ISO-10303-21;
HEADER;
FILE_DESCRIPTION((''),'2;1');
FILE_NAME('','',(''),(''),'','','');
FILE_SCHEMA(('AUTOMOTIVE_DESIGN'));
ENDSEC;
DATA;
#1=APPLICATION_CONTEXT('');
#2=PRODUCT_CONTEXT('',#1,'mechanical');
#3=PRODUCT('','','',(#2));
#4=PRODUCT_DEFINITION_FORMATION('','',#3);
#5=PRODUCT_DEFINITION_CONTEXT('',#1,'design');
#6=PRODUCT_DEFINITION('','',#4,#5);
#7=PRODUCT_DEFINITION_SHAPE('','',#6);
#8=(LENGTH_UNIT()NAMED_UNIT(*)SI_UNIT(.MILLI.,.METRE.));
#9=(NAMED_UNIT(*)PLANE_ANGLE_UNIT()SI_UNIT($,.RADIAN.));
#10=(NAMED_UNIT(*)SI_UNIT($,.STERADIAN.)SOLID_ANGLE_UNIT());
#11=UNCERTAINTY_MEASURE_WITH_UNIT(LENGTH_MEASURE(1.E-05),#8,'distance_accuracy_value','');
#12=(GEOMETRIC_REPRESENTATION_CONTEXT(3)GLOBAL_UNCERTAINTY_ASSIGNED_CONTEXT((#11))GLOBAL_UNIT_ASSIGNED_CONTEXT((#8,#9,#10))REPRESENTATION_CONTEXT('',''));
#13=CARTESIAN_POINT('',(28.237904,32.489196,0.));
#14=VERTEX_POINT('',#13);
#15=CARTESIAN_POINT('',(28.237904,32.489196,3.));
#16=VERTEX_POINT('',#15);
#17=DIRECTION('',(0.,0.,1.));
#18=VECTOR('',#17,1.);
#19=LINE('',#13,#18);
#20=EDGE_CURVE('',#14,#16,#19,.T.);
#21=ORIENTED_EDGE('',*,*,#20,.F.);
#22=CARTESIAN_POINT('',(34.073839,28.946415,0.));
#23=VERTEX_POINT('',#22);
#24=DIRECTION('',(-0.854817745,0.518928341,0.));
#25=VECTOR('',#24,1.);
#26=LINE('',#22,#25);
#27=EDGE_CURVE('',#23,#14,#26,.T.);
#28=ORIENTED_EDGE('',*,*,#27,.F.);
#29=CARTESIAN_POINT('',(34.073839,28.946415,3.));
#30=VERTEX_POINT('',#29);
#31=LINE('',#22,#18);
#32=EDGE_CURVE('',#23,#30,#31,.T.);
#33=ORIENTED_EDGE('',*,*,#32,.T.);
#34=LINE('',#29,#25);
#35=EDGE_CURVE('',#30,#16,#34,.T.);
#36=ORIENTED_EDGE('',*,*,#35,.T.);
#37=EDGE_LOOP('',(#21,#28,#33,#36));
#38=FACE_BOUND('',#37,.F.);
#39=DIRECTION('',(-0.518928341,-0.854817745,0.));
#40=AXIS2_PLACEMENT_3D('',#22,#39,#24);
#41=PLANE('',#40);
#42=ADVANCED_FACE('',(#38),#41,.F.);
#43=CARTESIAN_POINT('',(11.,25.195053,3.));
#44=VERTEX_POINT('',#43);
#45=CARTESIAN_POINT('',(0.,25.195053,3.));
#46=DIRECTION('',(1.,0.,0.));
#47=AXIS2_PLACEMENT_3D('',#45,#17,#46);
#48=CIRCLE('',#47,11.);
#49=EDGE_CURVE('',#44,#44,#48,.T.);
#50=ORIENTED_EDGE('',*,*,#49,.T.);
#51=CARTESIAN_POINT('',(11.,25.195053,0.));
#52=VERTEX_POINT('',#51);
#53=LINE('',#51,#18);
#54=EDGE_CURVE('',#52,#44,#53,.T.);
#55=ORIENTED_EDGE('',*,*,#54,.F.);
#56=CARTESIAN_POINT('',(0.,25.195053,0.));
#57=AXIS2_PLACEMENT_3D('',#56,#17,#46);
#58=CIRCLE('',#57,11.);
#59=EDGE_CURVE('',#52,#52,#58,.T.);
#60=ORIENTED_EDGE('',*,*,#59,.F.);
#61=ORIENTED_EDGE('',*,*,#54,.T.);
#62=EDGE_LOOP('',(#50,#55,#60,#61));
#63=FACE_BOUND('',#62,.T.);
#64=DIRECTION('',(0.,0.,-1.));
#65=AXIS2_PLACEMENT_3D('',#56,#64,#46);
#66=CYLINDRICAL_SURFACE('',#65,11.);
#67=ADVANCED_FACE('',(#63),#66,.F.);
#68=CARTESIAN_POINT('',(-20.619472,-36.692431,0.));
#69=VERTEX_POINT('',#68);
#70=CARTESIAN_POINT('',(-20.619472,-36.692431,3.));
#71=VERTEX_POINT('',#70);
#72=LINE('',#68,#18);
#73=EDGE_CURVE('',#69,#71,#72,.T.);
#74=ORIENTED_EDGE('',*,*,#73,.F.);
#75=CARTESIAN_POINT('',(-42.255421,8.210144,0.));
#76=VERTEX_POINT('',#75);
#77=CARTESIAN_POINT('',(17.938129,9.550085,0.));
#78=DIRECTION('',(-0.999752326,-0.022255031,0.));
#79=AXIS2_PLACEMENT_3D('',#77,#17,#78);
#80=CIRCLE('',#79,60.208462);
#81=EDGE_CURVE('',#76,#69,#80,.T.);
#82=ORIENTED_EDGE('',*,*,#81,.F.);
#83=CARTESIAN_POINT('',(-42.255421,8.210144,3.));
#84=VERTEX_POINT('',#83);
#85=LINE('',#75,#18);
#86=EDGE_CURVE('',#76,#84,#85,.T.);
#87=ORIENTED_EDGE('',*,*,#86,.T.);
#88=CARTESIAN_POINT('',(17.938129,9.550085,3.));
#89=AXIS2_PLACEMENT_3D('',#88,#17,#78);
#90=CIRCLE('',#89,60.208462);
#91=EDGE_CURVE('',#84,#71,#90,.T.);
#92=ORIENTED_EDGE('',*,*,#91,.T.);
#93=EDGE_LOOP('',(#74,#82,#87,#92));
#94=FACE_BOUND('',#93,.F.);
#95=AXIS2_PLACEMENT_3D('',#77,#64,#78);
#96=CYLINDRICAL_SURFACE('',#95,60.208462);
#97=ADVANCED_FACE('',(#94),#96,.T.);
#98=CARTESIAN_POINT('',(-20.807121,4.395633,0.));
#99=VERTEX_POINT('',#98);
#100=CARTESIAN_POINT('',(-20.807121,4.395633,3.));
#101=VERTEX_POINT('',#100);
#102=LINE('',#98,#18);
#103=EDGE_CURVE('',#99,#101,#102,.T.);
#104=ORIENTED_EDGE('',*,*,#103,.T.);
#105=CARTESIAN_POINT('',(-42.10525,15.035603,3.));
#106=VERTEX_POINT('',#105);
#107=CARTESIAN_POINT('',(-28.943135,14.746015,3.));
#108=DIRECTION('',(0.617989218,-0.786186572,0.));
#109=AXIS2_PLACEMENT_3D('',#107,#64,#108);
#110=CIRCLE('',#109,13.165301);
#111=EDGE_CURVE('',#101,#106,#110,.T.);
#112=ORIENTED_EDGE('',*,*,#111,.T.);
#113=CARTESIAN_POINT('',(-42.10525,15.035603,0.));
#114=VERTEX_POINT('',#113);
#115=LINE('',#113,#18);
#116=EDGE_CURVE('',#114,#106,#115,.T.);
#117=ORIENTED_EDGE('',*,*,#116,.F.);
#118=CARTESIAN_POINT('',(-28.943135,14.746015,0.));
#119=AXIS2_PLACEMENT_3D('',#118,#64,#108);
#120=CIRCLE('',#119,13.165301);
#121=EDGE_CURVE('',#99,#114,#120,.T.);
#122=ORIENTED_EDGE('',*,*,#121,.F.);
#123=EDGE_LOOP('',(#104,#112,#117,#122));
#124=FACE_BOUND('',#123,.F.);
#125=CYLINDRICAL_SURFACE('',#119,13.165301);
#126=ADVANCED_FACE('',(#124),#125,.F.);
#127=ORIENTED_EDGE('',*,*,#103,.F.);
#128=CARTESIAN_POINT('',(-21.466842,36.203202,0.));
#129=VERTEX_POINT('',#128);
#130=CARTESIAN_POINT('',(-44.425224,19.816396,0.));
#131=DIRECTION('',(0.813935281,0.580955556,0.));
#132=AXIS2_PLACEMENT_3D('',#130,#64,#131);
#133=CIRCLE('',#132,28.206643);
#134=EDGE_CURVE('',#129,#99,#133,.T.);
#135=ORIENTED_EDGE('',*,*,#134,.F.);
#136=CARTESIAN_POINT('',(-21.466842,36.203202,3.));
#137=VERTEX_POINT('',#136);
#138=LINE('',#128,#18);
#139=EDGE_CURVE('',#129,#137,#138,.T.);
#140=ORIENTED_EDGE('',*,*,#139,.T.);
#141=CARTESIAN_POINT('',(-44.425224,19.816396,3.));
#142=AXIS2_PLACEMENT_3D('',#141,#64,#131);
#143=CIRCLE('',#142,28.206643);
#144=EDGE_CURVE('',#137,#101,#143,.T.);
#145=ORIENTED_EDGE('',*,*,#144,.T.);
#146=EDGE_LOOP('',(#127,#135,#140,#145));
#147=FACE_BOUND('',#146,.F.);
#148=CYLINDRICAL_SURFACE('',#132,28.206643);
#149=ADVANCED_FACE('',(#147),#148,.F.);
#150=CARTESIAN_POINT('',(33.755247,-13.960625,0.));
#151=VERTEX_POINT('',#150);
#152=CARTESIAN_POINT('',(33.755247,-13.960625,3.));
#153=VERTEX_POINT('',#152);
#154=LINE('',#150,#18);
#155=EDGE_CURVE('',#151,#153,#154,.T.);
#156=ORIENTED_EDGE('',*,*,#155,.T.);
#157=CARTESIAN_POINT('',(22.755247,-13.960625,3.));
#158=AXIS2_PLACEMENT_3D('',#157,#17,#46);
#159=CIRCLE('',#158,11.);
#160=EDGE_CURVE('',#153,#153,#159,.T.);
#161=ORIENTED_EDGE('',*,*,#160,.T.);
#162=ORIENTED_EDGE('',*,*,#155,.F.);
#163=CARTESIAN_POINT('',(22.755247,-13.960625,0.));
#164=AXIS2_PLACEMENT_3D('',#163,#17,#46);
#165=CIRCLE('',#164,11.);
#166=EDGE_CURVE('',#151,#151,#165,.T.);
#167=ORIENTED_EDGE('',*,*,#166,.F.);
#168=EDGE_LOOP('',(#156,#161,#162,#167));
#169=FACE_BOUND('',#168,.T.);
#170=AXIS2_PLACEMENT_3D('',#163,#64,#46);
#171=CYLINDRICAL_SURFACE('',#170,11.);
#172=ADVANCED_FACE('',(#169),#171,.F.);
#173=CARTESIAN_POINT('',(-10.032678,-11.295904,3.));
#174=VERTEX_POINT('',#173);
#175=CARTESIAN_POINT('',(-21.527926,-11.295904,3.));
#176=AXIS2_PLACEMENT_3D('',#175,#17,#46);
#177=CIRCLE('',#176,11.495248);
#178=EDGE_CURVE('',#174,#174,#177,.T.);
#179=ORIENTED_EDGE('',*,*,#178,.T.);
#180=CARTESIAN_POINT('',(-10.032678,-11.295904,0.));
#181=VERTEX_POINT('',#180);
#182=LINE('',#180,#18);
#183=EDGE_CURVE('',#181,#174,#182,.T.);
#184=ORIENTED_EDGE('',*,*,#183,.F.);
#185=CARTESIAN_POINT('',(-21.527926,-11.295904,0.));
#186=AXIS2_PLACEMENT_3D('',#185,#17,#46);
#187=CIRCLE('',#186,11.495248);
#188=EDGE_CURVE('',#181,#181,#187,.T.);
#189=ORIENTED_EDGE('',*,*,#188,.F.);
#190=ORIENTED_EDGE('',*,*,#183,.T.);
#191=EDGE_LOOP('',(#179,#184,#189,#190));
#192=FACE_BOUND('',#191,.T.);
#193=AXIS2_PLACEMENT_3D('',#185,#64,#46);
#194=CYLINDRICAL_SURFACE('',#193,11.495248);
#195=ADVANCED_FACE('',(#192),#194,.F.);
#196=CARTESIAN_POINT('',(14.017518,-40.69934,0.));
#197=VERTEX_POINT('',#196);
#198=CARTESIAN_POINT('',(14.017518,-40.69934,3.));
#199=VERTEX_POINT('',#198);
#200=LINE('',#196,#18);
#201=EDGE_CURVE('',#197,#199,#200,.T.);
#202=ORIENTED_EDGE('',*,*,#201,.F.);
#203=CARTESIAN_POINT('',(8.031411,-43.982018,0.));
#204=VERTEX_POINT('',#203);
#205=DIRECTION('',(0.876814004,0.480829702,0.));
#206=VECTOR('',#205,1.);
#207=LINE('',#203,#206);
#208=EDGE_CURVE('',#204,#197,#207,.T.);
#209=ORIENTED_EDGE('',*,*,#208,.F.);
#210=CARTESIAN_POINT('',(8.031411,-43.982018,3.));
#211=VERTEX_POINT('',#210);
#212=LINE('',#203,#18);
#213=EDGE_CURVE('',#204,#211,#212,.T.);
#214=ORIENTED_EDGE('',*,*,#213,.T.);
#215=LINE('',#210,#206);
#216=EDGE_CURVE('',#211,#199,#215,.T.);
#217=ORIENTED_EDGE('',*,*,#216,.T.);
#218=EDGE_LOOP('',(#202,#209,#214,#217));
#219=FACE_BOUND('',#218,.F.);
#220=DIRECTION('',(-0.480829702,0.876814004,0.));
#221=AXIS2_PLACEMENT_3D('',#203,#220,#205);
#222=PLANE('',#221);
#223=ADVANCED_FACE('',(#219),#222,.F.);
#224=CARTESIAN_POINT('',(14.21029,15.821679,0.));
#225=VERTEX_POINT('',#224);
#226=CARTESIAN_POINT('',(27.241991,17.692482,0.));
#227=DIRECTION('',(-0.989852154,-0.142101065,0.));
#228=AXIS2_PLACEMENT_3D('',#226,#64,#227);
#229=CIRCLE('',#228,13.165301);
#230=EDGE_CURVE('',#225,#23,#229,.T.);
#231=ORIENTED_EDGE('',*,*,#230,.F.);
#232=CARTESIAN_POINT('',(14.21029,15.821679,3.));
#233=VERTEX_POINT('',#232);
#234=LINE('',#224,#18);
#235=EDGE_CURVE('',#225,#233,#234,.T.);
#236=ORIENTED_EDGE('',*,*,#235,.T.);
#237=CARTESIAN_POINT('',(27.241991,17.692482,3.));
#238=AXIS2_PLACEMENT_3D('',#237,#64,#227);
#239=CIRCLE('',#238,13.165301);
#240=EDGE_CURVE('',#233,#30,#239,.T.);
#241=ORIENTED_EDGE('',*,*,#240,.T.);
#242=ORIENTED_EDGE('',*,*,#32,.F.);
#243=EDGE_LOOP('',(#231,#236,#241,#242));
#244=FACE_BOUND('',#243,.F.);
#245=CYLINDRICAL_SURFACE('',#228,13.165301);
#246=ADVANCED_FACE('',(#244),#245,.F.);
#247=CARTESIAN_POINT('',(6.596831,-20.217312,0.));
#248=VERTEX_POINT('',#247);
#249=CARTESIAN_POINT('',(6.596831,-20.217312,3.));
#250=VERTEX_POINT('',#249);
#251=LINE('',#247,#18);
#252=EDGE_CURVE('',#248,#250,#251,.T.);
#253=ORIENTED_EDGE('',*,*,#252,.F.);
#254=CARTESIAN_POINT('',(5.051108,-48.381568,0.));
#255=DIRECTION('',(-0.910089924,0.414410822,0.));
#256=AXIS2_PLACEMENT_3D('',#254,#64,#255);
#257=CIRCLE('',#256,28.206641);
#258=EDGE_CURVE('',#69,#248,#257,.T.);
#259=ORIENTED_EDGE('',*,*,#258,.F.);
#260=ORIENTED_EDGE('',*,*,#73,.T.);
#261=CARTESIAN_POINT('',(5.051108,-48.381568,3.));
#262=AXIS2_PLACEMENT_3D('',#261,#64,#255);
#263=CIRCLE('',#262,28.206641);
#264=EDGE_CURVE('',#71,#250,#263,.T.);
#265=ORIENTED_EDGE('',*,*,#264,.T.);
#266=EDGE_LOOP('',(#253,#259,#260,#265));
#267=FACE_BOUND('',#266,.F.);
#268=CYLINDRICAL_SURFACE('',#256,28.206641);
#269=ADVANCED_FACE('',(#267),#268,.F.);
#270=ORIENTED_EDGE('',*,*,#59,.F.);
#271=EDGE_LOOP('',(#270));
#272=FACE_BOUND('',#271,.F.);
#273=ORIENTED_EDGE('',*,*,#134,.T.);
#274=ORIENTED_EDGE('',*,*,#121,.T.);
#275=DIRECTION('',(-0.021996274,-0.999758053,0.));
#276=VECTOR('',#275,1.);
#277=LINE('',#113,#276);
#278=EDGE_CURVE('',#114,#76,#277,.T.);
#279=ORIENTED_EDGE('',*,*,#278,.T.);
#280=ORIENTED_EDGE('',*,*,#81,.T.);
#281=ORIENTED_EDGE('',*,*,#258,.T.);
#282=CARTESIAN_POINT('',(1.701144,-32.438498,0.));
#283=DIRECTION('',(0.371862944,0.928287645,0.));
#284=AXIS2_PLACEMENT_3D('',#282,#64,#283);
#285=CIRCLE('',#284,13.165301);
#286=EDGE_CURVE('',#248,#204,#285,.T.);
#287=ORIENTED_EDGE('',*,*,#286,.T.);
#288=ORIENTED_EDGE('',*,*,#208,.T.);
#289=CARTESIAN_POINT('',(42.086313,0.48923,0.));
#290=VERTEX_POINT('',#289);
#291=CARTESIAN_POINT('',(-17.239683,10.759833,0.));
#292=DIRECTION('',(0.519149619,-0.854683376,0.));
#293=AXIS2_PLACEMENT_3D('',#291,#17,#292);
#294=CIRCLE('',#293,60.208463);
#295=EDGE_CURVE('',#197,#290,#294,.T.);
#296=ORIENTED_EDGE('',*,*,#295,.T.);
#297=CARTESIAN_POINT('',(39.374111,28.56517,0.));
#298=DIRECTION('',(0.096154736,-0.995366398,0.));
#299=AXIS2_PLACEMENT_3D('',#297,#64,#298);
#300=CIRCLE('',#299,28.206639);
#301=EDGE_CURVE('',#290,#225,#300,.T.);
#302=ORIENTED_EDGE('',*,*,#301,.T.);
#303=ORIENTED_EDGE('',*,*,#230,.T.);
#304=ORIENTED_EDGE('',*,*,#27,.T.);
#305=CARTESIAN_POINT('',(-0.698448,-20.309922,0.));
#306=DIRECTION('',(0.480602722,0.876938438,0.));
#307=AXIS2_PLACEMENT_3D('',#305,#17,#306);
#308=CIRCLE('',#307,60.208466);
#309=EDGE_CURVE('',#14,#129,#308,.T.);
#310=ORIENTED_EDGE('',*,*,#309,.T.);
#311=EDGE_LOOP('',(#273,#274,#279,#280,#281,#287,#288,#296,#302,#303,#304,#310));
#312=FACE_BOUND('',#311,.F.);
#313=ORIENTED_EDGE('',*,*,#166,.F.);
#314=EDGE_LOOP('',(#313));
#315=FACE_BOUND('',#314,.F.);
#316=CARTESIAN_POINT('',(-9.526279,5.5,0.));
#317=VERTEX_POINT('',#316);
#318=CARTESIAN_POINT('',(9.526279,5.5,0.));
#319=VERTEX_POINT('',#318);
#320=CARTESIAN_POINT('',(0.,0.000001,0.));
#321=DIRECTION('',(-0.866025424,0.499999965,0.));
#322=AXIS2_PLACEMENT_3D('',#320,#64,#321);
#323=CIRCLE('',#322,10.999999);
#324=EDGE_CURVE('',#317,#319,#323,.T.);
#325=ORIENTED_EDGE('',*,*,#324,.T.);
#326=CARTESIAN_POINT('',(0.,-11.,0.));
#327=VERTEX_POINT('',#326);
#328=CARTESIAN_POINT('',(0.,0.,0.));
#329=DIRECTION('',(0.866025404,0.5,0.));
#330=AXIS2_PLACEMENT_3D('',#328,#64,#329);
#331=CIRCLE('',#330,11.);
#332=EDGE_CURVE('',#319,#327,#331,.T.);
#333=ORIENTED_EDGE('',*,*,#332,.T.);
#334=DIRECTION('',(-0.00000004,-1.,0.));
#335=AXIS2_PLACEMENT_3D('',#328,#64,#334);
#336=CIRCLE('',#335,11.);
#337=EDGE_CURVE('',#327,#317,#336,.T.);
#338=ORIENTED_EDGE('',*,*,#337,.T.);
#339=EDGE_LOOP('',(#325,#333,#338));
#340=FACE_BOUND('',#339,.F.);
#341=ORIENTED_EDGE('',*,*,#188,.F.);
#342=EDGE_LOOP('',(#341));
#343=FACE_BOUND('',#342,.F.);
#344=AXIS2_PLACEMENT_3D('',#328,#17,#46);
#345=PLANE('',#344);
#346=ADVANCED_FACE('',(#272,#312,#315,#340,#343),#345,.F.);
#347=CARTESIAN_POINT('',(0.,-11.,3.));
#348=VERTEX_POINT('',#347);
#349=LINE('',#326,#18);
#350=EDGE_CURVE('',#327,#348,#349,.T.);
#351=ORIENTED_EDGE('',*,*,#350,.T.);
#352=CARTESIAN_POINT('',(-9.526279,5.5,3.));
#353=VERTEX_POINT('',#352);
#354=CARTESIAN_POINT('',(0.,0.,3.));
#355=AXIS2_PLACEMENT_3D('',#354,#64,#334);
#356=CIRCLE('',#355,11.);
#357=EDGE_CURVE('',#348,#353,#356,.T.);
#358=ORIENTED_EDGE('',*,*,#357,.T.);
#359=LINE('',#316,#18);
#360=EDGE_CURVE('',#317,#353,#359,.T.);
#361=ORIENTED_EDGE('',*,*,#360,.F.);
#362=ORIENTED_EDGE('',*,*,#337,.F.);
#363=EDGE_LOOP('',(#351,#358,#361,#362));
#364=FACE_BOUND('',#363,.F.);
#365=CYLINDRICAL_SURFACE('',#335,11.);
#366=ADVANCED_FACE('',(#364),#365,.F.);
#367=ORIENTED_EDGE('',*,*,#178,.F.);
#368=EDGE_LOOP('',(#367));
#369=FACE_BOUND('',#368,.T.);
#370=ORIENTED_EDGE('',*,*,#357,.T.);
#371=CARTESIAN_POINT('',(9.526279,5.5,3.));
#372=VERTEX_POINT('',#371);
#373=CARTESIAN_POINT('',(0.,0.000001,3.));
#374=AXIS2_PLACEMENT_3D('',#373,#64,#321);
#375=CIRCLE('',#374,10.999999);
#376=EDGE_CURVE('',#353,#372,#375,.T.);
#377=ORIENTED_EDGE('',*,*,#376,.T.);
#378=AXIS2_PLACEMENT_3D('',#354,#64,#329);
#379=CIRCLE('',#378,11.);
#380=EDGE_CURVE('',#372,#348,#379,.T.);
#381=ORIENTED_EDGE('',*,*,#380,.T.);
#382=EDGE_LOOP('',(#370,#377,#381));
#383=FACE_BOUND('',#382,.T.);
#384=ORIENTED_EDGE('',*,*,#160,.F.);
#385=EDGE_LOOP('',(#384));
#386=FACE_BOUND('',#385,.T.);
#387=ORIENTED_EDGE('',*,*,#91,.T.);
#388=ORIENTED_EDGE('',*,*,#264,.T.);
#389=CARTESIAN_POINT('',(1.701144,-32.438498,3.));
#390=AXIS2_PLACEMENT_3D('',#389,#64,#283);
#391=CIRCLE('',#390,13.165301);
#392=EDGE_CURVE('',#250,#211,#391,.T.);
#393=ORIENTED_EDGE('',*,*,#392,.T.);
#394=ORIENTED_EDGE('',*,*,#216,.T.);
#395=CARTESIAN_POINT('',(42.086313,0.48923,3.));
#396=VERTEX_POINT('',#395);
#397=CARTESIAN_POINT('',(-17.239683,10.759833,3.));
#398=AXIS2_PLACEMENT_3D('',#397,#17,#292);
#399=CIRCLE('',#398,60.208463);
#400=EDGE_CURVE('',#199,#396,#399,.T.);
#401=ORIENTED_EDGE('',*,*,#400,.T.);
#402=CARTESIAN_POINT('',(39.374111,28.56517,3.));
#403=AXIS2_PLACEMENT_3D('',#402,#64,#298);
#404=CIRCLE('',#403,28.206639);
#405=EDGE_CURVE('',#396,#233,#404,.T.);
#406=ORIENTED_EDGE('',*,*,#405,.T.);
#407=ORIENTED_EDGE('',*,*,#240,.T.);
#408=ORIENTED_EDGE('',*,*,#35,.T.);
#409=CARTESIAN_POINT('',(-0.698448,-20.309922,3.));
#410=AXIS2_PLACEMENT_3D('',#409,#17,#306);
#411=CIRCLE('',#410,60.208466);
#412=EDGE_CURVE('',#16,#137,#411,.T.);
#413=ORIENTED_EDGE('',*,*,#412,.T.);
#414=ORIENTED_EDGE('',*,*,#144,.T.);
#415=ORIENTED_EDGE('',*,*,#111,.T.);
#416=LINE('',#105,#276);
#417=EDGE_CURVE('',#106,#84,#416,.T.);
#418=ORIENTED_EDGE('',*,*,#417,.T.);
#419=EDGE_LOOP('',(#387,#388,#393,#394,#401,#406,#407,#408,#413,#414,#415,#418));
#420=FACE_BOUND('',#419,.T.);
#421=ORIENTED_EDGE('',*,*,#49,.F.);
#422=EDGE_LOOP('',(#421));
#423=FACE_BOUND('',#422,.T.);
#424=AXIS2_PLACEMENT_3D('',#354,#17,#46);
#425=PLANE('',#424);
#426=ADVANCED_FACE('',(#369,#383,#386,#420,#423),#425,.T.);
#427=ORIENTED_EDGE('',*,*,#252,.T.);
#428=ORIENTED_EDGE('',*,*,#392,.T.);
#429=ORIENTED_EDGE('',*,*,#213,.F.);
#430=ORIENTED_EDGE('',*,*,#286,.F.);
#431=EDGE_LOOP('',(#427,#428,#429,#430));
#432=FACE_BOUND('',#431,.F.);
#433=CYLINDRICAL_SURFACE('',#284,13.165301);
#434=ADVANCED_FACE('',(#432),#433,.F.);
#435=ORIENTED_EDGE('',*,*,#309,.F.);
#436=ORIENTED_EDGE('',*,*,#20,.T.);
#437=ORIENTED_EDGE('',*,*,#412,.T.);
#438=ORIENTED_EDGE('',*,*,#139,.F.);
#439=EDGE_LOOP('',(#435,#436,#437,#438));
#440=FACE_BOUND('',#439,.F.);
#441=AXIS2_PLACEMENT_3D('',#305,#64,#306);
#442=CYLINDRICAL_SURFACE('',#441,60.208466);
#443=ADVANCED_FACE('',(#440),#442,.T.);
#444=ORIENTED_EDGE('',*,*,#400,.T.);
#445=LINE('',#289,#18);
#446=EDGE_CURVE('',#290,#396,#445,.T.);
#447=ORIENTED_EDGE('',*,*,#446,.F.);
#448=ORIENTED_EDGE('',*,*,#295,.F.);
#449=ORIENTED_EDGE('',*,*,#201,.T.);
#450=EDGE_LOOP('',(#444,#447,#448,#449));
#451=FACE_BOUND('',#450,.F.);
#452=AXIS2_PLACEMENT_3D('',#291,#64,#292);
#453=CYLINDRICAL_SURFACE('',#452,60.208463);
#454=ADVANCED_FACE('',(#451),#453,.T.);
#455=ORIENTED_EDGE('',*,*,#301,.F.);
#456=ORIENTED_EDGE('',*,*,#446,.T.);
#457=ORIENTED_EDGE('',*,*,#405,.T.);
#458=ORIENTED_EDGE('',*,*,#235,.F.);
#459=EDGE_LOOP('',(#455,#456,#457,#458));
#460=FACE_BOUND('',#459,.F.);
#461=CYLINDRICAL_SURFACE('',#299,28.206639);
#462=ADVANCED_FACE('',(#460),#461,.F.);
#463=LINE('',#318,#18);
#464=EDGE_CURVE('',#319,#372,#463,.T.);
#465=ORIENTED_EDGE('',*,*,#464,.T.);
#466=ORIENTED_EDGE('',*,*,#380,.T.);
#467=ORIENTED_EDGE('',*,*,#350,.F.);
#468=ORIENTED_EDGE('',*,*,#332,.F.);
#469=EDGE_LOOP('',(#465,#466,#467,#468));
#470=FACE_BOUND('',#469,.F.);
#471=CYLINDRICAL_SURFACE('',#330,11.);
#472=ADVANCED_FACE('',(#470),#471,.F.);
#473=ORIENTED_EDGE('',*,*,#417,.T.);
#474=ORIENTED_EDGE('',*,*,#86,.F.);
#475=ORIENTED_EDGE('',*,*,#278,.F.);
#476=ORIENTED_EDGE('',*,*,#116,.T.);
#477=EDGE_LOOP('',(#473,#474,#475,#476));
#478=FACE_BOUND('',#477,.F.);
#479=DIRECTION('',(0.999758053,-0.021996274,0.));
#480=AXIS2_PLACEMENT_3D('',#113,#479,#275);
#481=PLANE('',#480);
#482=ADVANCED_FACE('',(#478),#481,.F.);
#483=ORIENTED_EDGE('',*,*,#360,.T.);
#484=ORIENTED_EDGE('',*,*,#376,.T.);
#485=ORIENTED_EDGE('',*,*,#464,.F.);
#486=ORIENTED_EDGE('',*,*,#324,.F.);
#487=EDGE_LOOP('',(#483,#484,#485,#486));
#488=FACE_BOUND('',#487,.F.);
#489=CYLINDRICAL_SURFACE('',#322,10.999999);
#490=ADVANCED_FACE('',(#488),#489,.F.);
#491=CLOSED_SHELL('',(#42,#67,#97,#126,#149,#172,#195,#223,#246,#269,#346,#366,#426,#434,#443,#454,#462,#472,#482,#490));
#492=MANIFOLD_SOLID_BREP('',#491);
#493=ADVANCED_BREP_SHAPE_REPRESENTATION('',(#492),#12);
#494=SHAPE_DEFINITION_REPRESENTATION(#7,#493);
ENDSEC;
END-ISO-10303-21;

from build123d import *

# Parameters (mm, degrees)
F0_R     = 11.495248
F0_R_2   = 11
F1_DEPTH = 3


with BuildPart() as f1:
    # F0 (on Top) → F1 (new body)
    with BuildSketch(Plane.XY):
        with BuildLine():
            Line((34.073839, 28.946415), (28.237904, 32.489196))
            ThreePointArc((28.237904, 32.489196), (3.787903, 39.731164), (-21.466842, 36.203202))
            ThreePointArc((-21.466842, 36.203202), (-16.224646, 20.401304), (-20.807121, 4.395633))
            ThreePointArc((-20.807121, 4.395633), (-34.826813, 2.968602), (-42.10525, 15.035603))
            Line((-42.10525, 15.035603), (-42.255421, 8.210144))
            ThreePointArc((-42.255421, 8.210144), (-36.302149, -16.585162), (-20.619472, -36.692431))
            ThreePointArc((-20.619472, -36.692431), (-9.555725, -24.251607), (6.596831, -20.217312))
            ThreePointArc((6.596831, -20.217312), (14.842522, -31.645205), (8.031411, -43.982018))
            Line((8.031411, -43.982018), (14.017518, -40.69934))
            ThreePointArc((14.017518, -40.69934), (32.514246, -23.146002), (42.086313, 0.48923))
            ThreePointArc((42.086313, 0.48923), (25.78037, 3.850303), (14.21029, 15.821679))
            ThreePointArc((14.21029, 15.821679), (19.984291, 28.676604), (34.073839, 28.946415))
        make_face()
        with Locations((-21.527926, -11.295904)):
            Circle(F0_R, mode=Mode.SUBTRACT)
        with Locations((22.755247, -13.960625)):
            Circle(F0_R_2, mode=Mode.SUBTRACT)
        with BuildLine():
            ThreePointArc((-9.526279, 5.5), (0, 11), (9.526279, 5.5))
            ThreePointArc((9.526279, 5.5), (9.526279, -5.5), (0, -11))
            ThreePointArc((0, -11), (-9.526279, -5.5), (-9.526279, 5.5))
        make_face(mode=Mode.SUBTRACT)
        with Locations((0, 25.195053)):
            Circle(F0_R_2, mode=Mode.SUBTRACT)
    extrude(amount=F1_DEPTH)


solid = f1.part
